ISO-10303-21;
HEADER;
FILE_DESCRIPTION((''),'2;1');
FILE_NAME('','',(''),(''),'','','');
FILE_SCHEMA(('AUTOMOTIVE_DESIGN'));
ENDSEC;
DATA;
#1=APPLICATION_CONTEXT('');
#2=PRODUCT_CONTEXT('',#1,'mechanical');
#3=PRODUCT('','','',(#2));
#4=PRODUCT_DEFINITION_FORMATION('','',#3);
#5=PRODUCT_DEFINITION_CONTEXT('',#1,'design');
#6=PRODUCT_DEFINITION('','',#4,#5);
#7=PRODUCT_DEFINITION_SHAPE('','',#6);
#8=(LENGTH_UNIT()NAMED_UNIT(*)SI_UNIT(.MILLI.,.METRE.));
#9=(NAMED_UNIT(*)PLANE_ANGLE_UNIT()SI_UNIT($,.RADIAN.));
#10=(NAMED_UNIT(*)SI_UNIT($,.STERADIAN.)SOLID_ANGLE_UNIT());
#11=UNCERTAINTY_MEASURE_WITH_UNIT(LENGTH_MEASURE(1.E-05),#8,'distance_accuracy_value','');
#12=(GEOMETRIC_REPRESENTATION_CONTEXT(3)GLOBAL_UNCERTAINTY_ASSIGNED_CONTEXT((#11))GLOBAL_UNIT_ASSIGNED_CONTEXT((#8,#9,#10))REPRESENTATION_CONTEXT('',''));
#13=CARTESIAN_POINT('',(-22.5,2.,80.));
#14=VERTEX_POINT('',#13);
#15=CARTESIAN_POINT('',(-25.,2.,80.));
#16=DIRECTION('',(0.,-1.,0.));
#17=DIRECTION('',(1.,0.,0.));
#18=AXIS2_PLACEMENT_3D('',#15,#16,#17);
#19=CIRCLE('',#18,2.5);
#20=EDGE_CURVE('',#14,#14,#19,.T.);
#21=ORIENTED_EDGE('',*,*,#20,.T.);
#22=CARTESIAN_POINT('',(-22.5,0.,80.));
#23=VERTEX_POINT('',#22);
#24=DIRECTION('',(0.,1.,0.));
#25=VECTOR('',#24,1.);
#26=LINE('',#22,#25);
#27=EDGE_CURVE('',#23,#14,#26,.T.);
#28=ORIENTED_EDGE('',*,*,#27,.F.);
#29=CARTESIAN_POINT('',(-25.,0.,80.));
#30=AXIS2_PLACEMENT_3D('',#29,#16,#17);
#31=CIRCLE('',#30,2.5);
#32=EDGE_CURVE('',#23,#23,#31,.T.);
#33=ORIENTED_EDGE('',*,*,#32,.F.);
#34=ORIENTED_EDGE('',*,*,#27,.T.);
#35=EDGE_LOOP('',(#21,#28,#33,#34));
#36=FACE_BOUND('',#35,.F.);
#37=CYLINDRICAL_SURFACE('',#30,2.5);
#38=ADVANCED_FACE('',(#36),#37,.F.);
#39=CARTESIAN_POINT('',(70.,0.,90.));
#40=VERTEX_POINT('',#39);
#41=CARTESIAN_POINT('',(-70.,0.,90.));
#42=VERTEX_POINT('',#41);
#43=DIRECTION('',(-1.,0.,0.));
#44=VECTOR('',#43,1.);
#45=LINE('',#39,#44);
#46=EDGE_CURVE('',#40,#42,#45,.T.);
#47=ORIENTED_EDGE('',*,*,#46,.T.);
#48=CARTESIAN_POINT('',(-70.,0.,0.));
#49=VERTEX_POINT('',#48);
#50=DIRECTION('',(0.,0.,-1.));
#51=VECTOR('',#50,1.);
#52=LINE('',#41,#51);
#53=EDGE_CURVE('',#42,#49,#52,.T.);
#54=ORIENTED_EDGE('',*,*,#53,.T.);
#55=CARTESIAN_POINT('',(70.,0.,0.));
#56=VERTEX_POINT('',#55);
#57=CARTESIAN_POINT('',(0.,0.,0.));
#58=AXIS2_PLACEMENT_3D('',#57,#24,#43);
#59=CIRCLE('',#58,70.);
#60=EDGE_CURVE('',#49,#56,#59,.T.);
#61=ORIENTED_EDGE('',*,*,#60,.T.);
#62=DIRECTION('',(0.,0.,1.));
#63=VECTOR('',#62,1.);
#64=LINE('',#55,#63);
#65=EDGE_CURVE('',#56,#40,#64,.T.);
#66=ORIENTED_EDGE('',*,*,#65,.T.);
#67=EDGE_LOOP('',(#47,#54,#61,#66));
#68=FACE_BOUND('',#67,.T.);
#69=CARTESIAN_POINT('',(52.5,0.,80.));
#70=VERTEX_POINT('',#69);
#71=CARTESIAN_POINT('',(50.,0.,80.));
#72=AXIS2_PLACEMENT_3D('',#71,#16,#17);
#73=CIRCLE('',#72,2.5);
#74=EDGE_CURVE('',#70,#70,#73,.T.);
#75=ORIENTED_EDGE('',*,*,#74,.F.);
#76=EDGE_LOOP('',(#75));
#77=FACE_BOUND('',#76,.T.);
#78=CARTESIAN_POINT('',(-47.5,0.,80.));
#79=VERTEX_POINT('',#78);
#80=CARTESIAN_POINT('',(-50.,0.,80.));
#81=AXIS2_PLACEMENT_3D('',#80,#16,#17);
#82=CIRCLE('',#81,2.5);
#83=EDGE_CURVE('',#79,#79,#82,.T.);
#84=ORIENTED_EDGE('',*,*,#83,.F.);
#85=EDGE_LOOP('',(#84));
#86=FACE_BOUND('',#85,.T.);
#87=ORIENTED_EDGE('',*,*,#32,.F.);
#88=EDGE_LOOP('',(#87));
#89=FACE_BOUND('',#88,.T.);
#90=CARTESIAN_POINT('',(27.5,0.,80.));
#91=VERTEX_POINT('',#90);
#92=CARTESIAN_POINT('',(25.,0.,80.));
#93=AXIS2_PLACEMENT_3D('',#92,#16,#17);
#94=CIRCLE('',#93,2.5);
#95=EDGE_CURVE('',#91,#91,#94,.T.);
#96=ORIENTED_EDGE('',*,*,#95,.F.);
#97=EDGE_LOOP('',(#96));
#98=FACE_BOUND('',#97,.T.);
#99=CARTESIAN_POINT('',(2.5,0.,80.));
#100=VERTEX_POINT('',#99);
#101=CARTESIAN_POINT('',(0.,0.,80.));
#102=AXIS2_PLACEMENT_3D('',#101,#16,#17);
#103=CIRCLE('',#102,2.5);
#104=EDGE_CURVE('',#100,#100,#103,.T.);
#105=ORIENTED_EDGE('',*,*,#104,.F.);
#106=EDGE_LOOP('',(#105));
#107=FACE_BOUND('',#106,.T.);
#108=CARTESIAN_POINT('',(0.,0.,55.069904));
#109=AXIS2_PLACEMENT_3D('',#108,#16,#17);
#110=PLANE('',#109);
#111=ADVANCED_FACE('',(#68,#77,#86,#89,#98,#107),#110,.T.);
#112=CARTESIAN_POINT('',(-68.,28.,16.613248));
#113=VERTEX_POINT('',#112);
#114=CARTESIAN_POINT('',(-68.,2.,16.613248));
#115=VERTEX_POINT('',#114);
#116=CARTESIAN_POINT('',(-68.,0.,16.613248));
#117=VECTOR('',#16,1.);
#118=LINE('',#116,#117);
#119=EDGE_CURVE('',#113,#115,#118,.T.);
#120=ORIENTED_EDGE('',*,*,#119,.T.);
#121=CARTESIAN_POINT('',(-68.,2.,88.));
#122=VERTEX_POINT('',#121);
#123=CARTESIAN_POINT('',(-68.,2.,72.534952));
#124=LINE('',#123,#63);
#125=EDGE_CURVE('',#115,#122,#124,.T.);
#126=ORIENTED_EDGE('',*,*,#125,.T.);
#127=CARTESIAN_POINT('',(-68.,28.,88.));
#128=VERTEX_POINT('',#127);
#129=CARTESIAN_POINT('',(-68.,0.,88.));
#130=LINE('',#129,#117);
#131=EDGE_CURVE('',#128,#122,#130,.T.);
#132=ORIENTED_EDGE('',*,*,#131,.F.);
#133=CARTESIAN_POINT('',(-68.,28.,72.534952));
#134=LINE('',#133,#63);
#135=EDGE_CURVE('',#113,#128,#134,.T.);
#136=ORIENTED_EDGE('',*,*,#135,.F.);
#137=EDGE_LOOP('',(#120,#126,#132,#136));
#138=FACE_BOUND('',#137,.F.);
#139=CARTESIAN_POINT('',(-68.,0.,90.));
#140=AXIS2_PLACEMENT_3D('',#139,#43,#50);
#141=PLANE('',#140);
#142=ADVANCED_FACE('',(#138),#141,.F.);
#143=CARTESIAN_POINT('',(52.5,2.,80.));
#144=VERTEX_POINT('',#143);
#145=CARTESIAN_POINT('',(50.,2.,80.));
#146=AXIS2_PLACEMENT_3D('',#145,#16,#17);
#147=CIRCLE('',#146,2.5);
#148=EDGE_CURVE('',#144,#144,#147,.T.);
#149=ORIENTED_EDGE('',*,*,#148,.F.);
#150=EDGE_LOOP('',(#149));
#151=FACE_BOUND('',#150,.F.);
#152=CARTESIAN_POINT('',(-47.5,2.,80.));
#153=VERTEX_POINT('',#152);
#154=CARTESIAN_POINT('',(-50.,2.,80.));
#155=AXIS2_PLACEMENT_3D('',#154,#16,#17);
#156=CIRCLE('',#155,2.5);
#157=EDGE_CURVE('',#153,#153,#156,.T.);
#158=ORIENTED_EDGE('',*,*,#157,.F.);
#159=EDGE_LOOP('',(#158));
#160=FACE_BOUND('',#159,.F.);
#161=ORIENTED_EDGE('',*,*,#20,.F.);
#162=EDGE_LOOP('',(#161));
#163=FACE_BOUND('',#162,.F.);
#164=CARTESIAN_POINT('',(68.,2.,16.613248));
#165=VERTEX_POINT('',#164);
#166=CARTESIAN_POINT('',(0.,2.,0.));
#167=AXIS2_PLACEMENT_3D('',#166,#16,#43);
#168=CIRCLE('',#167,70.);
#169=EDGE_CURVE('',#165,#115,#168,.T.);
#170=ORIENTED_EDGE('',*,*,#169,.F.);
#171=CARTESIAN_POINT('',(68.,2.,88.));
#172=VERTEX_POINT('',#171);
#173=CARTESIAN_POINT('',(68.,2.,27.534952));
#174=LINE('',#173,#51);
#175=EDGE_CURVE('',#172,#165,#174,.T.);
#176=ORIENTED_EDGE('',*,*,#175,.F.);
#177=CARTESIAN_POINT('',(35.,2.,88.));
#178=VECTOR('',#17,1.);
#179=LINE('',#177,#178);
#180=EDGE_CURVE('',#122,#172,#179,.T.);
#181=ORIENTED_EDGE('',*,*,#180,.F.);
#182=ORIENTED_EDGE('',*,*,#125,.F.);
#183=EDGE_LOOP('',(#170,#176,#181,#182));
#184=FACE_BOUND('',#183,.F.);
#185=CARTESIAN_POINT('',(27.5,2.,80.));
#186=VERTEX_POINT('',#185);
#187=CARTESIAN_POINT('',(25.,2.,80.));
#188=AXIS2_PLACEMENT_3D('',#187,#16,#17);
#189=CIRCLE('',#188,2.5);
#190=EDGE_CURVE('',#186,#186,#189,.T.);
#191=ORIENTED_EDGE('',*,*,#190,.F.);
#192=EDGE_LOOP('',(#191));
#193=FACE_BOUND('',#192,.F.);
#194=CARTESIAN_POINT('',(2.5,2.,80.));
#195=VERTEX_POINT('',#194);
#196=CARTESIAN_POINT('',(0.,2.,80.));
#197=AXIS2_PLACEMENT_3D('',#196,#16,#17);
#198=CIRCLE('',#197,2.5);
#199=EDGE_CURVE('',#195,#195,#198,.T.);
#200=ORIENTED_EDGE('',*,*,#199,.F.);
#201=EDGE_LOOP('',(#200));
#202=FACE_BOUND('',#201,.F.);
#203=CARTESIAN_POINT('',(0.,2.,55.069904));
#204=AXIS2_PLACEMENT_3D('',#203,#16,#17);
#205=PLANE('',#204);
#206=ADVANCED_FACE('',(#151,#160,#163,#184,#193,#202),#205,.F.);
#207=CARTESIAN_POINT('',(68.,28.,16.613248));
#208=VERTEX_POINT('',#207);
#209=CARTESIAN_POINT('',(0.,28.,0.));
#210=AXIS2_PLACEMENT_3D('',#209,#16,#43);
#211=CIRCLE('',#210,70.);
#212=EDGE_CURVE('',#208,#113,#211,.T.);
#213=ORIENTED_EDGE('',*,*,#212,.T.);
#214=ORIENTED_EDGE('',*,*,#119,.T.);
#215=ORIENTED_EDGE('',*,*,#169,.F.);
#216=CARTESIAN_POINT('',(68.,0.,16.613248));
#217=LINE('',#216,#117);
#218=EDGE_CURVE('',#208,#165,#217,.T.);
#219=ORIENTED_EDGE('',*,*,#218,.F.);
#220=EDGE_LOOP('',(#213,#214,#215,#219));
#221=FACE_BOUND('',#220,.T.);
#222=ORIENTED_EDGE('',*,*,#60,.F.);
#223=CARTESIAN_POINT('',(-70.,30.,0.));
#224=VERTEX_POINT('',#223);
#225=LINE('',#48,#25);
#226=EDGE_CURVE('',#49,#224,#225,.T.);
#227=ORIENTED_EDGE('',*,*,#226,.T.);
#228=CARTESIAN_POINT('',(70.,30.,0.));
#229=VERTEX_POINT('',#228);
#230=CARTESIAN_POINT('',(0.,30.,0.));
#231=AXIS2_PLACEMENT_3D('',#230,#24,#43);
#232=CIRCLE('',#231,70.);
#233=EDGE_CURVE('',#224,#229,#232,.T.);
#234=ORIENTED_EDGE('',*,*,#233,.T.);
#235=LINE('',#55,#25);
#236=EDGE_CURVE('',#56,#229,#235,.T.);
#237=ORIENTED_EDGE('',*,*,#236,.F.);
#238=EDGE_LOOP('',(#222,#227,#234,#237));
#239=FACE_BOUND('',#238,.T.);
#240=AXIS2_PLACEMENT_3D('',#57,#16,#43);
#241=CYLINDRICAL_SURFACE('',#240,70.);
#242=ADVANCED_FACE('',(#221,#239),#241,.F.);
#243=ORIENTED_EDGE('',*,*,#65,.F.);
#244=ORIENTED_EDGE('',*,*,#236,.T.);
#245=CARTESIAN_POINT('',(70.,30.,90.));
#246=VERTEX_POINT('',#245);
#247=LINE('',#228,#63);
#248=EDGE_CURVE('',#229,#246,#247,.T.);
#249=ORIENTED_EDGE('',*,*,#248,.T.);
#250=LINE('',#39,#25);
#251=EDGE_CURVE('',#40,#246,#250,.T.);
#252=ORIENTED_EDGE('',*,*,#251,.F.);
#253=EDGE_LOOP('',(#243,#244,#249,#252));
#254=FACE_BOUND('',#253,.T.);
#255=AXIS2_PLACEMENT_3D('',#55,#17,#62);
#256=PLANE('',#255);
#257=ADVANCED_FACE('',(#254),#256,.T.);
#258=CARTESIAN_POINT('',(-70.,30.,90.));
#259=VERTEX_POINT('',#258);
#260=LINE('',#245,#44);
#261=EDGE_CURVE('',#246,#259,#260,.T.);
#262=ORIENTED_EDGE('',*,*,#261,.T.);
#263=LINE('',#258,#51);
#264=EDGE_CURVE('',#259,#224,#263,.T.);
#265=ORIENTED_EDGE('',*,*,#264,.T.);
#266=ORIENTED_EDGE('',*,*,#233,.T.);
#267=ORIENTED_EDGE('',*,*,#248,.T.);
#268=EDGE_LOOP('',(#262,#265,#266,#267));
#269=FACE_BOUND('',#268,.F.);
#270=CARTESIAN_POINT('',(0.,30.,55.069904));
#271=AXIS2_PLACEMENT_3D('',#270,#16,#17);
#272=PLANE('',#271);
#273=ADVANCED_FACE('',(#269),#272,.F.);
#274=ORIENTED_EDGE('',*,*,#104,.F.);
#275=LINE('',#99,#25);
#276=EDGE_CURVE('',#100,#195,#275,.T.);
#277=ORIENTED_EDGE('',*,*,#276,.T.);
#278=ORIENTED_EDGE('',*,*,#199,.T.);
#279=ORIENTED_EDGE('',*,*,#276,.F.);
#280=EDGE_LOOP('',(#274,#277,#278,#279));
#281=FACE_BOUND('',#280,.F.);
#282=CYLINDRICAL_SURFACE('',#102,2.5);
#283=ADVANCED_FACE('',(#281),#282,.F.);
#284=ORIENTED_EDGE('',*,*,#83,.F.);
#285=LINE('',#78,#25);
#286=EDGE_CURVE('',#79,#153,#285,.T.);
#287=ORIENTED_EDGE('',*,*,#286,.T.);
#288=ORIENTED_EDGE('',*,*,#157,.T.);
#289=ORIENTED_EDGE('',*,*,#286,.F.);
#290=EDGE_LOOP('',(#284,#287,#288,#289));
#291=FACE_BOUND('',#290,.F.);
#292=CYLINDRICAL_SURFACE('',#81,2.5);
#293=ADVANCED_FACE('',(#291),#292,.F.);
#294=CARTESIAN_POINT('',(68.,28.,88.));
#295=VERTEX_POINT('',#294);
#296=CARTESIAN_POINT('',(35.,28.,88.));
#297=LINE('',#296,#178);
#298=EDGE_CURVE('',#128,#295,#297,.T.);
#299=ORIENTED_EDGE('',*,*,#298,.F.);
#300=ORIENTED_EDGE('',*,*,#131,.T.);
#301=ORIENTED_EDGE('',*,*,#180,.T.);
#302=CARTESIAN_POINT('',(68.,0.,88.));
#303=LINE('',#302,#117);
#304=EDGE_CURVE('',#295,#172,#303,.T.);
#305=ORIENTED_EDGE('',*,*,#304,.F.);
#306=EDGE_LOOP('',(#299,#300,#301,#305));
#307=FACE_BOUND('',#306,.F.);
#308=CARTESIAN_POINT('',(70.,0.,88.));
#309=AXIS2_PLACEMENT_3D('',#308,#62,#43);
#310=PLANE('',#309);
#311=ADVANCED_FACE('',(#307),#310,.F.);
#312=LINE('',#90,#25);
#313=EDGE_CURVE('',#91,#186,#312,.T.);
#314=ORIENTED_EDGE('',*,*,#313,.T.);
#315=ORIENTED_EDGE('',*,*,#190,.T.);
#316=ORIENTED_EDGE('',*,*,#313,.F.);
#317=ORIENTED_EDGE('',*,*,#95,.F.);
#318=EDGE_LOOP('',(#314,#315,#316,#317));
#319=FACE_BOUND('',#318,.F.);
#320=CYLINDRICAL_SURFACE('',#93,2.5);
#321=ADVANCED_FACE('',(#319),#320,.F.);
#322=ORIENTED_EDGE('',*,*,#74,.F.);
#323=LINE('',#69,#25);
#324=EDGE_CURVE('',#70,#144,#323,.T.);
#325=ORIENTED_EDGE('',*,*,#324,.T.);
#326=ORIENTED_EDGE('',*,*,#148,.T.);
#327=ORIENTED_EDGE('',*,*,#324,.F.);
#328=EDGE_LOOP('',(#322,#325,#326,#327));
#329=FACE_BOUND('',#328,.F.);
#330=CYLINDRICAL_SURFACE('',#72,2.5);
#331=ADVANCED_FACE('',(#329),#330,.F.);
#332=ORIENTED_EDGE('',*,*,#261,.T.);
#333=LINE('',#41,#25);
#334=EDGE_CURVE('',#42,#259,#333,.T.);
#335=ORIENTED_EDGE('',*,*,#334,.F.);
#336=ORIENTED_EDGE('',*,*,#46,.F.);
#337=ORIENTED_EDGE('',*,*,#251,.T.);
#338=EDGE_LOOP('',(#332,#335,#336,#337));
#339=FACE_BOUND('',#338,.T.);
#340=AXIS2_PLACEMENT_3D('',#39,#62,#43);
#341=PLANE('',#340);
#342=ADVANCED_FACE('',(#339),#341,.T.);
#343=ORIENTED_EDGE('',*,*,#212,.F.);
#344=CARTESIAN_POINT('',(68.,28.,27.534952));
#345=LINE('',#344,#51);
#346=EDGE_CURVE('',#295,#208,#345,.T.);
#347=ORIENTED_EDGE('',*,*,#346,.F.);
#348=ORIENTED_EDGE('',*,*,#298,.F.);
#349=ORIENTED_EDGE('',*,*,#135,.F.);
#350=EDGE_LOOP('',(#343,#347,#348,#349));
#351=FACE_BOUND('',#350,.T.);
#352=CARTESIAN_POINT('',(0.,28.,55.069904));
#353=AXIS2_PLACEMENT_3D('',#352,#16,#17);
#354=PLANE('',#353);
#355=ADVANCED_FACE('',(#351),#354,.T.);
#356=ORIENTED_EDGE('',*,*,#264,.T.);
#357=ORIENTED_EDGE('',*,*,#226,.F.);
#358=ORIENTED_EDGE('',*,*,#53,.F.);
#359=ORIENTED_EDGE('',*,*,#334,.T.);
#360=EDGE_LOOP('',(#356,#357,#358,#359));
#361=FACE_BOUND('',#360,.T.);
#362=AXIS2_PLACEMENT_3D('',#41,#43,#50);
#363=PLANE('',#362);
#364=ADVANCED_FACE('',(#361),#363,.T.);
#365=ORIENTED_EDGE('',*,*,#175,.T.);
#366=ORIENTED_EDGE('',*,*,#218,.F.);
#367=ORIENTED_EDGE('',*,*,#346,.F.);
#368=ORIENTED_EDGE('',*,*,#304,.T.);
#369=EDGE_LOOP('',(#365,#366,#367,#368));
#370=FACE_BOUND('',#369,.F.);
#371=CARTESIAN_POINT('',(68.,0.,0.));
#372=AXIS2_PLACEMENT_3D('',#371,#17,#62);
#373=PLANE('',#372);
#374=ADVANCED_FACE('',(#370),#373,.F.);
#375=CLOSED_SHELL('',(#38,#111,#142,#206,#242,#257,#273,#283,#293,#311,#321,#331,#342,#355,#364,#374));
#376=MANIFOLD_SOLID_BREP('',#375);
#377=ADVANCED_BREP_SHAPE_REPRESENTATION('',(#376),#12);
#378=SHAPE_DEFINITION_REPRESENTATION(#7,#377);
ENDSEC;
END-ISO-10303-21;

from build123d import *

# Parameters (mm, degrees)
F0_R     = 2.5
F1_DEPTH = 30
F2_T     = -2
F3_DEPTH = 5


with BuildPart() as f1:
    # F0 (on Front) → F1 (new body)
    with BuildSketch(Plane.XZ):
        with BuildLine():
            ThreePointArc((-70, 0), (0, 70), (70, 0))
            Line((70, 0), (70, 90))
            Line((70, 90), (-70, 90))
            Line((-70, 90), (-70, 0.4057721722))
            Line((-70, 0.4057721722), (-70, 0))
        make_face()
        with Locations((-50, 80)):
            Circle(F0_R, mode=Mode.SUBTRACT)
        with Locations((-25, 80)):
            Circle(F0_R, mode=Mode.SUBTRACT)
        with Locations((0, 80)):
            Circle(F0_R, mode=Mode.SUBTRACT)
        with Locations((25, 80)):
            Circle(F0_R, mode=Mode.SUBTRACT)
        with Locations((50, 80)):
            Circle(F0_R, mode=Mode.SUBTRACT)
        with Locations((50, 80)):
            Circle(F0_R)
        with Locations((25, 80)):
            Circle(F0_R)
        with Locations((0, 80)):
            Circle(F0_R)
        with Locations((-25, 80)):
            Circle(F0_R)
        with Locations((-50, 80)):
            Circle(F0_R)
    extrude(amount=-F1_DEPTH)

    # F2
    f2_openings = [f1.faces().sort_by_distance(p)[0] for p in [
        (0, 15, 70),
    ]]
    offset(amount=F2_T, openings=f2_openings, kind=Kind.INTERSECTION)

    # F0 (on Front) → F3 (cut)
    with BuildSketch(Plane.XZ):
        with Locations((50, 80)):
            Circle(F0_R)
        with Locations((25, 80)):
            Circle(F0_R)
        with Locations((0, 80)):
            Circle(F0_R)
        with Locations((-25, 80)):
            Circle(F0_R)
        with Locations((-50, 80)):
            Circle(F0_R)
    extrude(amount=-F3_DEPTH, mode=Mode.SUBTRACT)


solid = f1.part
